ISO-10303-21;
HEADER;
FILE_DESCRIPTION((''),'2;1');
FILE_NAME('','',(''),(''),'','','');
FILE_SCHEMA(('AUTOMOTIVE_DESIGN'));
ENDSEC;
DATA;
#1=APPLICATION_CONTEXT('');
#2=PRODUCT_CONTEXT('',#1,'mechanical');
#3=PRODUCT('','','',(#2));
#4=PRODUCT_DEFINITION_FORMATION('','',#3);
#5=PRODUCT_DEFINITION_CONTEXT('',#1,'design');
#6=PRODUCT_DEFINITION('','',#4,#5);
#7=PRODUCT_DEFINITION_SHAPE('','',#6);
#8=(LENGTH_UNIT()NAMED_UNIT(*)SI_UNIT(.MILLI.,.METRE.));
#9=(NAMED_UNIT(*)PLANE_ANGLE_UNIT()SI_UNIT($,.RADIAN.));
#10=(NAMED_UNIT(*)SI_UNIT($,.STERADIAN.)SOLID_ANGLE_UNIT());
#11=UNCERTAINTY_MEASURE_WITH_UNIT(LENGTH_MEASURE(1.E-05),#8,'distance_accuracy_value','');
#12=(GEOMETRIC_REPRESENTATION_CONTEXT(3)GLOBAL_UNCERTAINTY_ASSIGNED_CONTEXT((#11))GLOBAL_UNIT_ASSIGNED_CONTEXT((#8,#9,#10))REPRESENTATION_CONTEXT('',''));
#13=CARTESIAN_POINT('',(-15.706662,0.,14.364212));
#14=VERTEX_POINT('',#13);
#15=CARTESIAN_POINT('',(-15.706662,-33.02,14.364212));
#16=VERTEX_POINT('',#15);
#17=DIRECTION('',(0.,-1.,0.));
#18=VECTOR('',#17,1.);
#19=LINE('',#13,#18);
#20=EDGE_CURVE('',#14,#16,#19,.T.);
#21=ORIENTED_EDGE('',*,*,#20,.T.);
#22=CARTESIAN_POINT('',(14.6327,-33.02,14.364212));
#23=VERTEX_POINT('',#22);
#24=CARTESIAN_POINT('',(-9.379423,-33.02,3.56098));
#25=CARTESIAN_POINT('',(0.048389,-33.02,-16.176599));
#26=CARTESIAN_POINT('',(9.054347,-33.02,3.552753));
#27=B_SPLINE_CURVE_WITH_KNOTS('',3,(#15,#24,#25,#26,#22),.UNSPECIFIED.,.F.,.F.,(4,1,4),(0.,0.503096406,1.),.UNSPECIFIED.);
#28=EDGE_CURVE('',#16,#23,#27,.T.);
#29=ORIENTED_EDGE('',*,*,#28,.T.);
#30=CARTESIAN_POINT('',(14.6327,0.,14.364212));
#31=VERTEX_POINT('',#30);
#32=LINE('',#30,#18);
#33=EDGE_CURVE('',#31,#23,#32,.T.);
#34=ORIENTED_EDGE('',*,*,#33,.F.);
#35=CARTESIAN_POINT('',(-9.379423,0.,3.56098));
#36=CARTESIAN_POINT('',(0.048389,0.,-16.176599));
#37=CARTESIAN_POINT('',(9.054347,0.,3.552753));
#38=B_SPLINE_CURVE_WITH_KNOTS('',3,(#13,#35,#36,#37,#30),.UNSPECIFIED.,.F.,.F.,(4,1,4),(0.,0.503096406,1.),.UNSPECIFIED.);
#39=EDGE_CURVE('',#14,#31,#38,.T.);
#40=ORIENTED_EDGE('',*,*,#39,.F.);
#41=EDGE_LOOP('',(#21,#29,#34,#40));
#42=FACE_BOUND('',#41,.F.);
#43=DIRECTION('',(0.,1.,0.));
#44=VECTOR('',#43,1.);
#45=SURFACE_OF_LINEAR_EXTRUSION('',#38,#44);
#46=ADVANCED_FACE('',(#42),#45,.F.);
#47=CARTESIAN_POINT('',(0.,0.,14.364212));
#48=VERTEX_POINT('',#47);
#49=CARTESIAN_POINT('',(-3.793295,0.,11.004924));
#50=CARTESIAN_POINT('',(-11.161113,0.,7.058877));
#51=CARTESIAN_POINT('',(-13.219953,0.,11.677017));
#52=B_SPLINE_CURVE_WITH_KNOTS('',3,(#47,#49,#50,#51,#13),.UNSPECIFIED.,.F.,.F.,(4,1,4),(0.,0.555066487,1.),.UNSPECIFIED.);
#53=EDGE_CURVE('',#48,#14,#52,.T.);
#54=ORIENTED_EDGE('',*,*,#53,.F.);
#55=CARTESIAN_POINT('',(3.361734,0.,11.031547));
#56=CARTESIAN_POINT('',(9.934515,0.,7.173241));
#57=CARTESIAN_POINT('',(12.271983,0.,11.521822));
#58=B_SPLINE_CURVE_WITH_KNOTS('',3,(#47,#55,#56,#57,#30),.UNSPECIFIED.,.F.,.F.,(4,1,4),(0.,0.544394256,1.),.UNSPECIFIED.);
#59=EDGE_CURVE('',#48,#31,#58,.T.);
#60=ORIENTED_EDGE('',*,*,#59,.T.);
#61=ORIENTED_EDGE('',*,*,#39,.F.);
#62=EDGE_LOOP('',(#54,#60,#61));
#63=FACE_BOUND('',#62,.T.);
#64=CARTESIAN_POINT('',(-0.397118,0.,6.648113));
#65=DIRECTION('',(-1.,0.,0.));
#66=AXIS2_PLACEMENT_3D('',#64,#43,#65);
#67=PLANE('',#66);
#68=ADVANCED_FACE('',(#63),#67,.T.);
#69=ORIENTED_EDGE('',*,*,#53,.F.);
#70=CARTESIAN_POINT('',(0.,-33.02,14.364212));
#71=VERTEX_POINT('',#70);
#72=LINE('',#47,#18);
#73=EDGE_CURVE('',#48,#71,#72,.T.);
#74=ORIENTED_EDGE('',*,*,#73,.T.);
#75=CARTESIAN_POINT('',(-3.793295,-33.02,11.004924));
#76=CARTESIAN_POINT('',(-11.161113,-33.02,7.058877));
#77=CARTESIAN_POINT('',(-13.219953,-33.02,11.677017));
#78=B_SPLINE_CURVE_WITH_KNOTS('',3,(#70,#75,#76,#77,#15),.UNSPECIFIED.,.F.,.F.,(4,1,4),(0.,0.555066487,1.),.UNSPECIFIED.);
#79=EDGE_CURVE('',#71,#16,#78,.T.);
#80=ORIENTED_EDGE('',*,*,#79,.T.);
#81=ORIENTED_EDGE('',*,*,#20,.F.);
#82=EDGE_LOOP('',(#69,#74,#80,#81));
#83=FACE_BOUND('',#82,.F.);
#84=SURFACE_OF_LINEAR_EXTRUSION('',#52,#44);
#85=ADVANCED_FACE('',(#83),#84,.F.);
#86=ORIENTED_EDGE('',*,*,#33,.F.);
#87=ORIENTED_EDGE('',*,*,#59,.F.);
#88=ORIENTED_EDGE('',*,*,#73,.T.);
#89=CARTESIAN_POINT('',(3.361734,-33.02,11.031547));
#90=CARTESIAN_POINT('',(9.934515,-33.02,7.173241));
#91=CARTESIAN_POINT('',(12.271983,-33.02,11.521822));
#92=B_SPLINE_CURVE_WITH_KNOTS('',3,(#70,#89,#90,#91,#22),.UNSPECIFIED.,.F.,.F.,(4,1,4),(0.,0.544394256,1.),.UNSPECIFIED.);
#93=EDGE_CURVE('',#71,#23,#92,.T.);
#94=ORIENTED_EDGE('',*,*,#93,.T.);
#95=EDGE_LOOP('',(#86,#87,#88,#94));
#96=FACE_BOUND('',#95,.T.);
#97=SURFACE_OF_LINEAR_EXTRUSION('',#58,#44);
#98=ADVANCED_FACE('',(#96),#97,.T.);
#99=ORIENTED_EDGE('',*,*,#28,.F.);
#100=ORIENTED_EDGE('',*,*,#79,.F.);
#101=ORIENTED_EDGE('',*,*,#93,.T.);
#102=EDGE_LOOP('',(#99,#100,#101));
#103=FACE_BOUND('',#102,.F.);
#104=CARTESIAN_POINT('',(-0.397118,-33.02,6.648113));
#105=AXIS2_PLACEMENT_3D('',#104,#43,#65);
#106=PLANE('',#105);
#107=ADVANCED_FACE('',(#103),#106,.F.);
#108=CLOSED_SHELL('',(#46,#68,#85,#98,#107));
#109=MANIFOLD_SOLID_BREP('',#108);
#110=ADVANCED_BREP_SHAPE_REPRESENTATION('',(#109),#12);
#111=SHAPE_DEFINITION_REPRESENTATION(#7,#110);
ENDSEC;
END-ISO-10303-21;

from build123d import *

# Parameters (mm, degrees)
F1_DEPTH = 33.02


with BuildPart() as f1:
    # F0 (on Front) → F1 (new body)
    with BuildSketch(Plane.XZ):
        with BuildLine():
            add(Edge.make_bspline(
                [(0, 14.3642118201), (3.3617344069, 11.0315466623), (9.9345152535, 7.1732408891), (12.2719827381, 11.5218223378), (14.6327000111, 14.3642118201)],
                knots=[0, 0, 0, 0, 0.5443942563, 1, 1, 1, 1], degree=3))
            add(Edge.make_bspline(
                [(0, 14.3642118201), (-3.7932946129, 11.004924248), (-11.1611127569, 7.0588765271), (-13.2199534797, 11.6770168661), (-15.7066620886, 14.3642118201)],
                knots=[0, 0, 0, 0, 0.5550664865, 1, 1, 1, 1], degree=3))
            add(Edge.make_bspline(
                [(-15.7066620886, 14.3642118201), (-9.3794230665, 3.5609797898), (0.0483893916, -16.1765990524), (9.0543467297, 3.5527527458), (14.6327000111, 14.3642118201)],
                knots=[0, 0, 0, 0, 0.5030964059, 1, 1, 1, 1], degree=3))
        make_face()
    extrude(amount=F1_DEPTH)


solid = f1.part
